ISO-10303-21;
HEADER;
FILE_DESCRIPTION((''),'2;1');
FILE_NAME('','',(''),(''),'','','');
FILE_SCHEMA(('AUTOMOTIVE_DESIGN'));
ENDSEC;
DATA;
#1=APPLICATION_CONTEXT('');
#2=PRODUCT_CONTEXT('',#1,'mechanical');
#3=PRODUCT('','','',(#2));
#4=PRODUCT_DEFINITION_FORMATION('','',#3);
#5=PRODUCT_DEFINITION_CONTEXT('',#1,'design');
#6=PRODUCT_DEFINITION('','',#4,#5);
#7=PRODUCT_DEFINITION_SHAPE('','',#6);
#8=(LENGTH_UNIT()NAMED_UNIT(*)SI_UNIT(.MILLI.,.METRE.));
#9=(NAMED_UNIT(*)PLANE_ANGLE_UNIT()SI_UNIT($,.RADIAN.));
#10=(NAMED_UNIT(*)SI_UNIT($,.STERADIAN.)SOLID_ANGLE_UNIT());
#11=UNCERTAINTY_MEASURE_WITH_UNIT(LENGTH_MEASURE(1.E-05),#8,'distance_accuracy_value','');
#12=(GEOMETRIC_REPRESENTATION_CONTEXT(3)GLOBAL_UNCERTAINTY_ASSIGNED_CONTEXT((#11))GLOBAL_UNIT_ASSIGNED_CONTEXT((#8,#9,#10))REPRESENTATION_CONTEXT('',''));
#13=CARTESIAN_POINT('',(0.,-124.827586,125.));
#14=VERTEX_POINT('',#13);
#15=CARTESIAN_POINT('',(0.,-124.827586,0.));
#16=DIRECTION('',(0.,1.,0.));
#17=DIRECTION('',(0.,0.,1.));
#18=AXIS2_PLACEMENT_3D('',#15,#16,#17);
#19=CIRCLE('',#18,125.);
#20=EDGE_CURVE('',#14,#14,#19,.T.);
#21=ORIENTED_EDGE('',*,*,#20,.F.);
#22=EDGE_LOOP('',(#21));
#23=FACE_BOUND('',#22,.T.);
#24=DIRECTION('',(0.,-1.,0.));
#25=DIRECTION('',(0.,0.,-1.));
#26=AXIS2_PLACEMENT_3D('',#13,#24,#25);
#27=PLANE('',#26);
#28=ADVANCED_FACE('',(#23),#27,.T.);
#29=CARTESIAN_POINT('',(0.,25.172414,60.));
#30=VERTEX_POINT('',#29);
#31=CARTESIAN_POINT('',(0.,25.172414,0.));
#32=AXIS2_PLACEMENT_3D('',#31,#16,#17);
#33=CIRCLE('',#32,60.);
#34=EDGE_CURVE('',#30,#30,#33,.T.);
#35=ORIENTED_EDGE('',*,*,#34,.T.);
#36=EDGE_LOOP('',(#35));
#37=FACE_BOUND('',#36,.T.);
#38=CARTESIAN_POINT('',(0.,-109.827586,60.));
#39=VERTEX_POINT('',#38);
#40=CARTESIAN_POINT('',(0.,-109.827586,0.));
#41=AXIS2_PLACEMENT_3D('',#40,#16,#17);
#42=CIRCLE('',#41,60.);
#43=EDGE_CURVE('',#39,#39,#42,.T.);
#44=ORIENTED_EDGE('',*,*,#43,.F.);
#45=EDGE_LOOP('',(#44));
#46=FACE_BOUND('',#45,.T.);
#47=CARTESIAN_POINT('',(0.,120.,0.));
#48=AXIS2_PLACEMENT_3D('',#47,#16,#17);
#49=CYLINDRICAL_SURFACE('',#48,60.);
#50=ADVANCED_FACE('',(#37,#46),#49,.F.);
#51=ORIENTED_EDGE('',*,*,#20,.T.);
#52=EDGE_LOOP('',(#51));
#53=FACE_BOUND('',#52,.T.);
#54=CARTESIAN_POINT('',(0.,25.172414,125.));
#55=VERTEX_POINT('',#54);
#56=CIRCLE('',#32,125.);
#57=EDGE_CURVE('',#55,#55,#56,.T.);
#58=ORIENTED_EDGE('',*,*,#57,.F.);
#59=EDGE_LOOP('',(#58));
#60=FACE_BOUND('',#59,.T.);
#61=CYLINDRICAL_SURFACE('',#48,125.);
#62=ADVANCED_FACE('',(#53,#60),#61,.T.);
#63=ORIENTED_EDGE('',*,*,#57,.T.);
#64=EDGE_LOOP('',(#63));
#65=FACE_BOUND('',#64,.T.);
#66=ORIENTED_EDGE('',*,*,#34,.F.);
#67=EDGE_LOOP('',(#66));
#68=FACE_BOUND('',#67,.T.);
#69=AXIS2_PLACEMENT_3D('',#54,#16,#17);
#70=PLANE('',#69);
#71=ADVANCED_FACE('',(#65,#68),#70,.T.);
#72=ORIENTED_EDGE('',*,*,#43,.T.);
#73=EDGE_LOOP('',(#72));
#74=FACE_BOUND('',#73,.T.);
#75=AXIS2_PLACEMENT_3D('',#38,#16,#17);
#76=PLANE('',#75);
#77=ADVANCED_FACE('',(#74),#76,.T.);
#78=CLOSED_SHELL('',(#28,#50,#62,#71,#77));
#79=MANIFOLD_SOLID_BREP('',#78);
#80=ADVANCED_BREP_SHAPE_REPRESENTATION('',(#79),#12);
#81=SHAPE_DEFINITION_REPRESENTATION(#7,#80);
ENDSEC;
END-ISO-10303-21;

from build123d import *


with BuildPart() as part:
    # Sketch1 → Revolve1 (revolve)
    with BuildSketch(Plane(origin=(0, 0, 0), x_dir=(0, 0, -1), z_dir=(1, 0, 0))):
        Polygon((-60, 25.172413793), (-60, -109.827586207), (0, -109.827586207), (0, -124.827586207), (-125, -124.827586207), (-125, 25.172413793), align=None)
    revolve(axis=Axis((0, 120, 0), (0, -1, 0)))


solid = part.part
